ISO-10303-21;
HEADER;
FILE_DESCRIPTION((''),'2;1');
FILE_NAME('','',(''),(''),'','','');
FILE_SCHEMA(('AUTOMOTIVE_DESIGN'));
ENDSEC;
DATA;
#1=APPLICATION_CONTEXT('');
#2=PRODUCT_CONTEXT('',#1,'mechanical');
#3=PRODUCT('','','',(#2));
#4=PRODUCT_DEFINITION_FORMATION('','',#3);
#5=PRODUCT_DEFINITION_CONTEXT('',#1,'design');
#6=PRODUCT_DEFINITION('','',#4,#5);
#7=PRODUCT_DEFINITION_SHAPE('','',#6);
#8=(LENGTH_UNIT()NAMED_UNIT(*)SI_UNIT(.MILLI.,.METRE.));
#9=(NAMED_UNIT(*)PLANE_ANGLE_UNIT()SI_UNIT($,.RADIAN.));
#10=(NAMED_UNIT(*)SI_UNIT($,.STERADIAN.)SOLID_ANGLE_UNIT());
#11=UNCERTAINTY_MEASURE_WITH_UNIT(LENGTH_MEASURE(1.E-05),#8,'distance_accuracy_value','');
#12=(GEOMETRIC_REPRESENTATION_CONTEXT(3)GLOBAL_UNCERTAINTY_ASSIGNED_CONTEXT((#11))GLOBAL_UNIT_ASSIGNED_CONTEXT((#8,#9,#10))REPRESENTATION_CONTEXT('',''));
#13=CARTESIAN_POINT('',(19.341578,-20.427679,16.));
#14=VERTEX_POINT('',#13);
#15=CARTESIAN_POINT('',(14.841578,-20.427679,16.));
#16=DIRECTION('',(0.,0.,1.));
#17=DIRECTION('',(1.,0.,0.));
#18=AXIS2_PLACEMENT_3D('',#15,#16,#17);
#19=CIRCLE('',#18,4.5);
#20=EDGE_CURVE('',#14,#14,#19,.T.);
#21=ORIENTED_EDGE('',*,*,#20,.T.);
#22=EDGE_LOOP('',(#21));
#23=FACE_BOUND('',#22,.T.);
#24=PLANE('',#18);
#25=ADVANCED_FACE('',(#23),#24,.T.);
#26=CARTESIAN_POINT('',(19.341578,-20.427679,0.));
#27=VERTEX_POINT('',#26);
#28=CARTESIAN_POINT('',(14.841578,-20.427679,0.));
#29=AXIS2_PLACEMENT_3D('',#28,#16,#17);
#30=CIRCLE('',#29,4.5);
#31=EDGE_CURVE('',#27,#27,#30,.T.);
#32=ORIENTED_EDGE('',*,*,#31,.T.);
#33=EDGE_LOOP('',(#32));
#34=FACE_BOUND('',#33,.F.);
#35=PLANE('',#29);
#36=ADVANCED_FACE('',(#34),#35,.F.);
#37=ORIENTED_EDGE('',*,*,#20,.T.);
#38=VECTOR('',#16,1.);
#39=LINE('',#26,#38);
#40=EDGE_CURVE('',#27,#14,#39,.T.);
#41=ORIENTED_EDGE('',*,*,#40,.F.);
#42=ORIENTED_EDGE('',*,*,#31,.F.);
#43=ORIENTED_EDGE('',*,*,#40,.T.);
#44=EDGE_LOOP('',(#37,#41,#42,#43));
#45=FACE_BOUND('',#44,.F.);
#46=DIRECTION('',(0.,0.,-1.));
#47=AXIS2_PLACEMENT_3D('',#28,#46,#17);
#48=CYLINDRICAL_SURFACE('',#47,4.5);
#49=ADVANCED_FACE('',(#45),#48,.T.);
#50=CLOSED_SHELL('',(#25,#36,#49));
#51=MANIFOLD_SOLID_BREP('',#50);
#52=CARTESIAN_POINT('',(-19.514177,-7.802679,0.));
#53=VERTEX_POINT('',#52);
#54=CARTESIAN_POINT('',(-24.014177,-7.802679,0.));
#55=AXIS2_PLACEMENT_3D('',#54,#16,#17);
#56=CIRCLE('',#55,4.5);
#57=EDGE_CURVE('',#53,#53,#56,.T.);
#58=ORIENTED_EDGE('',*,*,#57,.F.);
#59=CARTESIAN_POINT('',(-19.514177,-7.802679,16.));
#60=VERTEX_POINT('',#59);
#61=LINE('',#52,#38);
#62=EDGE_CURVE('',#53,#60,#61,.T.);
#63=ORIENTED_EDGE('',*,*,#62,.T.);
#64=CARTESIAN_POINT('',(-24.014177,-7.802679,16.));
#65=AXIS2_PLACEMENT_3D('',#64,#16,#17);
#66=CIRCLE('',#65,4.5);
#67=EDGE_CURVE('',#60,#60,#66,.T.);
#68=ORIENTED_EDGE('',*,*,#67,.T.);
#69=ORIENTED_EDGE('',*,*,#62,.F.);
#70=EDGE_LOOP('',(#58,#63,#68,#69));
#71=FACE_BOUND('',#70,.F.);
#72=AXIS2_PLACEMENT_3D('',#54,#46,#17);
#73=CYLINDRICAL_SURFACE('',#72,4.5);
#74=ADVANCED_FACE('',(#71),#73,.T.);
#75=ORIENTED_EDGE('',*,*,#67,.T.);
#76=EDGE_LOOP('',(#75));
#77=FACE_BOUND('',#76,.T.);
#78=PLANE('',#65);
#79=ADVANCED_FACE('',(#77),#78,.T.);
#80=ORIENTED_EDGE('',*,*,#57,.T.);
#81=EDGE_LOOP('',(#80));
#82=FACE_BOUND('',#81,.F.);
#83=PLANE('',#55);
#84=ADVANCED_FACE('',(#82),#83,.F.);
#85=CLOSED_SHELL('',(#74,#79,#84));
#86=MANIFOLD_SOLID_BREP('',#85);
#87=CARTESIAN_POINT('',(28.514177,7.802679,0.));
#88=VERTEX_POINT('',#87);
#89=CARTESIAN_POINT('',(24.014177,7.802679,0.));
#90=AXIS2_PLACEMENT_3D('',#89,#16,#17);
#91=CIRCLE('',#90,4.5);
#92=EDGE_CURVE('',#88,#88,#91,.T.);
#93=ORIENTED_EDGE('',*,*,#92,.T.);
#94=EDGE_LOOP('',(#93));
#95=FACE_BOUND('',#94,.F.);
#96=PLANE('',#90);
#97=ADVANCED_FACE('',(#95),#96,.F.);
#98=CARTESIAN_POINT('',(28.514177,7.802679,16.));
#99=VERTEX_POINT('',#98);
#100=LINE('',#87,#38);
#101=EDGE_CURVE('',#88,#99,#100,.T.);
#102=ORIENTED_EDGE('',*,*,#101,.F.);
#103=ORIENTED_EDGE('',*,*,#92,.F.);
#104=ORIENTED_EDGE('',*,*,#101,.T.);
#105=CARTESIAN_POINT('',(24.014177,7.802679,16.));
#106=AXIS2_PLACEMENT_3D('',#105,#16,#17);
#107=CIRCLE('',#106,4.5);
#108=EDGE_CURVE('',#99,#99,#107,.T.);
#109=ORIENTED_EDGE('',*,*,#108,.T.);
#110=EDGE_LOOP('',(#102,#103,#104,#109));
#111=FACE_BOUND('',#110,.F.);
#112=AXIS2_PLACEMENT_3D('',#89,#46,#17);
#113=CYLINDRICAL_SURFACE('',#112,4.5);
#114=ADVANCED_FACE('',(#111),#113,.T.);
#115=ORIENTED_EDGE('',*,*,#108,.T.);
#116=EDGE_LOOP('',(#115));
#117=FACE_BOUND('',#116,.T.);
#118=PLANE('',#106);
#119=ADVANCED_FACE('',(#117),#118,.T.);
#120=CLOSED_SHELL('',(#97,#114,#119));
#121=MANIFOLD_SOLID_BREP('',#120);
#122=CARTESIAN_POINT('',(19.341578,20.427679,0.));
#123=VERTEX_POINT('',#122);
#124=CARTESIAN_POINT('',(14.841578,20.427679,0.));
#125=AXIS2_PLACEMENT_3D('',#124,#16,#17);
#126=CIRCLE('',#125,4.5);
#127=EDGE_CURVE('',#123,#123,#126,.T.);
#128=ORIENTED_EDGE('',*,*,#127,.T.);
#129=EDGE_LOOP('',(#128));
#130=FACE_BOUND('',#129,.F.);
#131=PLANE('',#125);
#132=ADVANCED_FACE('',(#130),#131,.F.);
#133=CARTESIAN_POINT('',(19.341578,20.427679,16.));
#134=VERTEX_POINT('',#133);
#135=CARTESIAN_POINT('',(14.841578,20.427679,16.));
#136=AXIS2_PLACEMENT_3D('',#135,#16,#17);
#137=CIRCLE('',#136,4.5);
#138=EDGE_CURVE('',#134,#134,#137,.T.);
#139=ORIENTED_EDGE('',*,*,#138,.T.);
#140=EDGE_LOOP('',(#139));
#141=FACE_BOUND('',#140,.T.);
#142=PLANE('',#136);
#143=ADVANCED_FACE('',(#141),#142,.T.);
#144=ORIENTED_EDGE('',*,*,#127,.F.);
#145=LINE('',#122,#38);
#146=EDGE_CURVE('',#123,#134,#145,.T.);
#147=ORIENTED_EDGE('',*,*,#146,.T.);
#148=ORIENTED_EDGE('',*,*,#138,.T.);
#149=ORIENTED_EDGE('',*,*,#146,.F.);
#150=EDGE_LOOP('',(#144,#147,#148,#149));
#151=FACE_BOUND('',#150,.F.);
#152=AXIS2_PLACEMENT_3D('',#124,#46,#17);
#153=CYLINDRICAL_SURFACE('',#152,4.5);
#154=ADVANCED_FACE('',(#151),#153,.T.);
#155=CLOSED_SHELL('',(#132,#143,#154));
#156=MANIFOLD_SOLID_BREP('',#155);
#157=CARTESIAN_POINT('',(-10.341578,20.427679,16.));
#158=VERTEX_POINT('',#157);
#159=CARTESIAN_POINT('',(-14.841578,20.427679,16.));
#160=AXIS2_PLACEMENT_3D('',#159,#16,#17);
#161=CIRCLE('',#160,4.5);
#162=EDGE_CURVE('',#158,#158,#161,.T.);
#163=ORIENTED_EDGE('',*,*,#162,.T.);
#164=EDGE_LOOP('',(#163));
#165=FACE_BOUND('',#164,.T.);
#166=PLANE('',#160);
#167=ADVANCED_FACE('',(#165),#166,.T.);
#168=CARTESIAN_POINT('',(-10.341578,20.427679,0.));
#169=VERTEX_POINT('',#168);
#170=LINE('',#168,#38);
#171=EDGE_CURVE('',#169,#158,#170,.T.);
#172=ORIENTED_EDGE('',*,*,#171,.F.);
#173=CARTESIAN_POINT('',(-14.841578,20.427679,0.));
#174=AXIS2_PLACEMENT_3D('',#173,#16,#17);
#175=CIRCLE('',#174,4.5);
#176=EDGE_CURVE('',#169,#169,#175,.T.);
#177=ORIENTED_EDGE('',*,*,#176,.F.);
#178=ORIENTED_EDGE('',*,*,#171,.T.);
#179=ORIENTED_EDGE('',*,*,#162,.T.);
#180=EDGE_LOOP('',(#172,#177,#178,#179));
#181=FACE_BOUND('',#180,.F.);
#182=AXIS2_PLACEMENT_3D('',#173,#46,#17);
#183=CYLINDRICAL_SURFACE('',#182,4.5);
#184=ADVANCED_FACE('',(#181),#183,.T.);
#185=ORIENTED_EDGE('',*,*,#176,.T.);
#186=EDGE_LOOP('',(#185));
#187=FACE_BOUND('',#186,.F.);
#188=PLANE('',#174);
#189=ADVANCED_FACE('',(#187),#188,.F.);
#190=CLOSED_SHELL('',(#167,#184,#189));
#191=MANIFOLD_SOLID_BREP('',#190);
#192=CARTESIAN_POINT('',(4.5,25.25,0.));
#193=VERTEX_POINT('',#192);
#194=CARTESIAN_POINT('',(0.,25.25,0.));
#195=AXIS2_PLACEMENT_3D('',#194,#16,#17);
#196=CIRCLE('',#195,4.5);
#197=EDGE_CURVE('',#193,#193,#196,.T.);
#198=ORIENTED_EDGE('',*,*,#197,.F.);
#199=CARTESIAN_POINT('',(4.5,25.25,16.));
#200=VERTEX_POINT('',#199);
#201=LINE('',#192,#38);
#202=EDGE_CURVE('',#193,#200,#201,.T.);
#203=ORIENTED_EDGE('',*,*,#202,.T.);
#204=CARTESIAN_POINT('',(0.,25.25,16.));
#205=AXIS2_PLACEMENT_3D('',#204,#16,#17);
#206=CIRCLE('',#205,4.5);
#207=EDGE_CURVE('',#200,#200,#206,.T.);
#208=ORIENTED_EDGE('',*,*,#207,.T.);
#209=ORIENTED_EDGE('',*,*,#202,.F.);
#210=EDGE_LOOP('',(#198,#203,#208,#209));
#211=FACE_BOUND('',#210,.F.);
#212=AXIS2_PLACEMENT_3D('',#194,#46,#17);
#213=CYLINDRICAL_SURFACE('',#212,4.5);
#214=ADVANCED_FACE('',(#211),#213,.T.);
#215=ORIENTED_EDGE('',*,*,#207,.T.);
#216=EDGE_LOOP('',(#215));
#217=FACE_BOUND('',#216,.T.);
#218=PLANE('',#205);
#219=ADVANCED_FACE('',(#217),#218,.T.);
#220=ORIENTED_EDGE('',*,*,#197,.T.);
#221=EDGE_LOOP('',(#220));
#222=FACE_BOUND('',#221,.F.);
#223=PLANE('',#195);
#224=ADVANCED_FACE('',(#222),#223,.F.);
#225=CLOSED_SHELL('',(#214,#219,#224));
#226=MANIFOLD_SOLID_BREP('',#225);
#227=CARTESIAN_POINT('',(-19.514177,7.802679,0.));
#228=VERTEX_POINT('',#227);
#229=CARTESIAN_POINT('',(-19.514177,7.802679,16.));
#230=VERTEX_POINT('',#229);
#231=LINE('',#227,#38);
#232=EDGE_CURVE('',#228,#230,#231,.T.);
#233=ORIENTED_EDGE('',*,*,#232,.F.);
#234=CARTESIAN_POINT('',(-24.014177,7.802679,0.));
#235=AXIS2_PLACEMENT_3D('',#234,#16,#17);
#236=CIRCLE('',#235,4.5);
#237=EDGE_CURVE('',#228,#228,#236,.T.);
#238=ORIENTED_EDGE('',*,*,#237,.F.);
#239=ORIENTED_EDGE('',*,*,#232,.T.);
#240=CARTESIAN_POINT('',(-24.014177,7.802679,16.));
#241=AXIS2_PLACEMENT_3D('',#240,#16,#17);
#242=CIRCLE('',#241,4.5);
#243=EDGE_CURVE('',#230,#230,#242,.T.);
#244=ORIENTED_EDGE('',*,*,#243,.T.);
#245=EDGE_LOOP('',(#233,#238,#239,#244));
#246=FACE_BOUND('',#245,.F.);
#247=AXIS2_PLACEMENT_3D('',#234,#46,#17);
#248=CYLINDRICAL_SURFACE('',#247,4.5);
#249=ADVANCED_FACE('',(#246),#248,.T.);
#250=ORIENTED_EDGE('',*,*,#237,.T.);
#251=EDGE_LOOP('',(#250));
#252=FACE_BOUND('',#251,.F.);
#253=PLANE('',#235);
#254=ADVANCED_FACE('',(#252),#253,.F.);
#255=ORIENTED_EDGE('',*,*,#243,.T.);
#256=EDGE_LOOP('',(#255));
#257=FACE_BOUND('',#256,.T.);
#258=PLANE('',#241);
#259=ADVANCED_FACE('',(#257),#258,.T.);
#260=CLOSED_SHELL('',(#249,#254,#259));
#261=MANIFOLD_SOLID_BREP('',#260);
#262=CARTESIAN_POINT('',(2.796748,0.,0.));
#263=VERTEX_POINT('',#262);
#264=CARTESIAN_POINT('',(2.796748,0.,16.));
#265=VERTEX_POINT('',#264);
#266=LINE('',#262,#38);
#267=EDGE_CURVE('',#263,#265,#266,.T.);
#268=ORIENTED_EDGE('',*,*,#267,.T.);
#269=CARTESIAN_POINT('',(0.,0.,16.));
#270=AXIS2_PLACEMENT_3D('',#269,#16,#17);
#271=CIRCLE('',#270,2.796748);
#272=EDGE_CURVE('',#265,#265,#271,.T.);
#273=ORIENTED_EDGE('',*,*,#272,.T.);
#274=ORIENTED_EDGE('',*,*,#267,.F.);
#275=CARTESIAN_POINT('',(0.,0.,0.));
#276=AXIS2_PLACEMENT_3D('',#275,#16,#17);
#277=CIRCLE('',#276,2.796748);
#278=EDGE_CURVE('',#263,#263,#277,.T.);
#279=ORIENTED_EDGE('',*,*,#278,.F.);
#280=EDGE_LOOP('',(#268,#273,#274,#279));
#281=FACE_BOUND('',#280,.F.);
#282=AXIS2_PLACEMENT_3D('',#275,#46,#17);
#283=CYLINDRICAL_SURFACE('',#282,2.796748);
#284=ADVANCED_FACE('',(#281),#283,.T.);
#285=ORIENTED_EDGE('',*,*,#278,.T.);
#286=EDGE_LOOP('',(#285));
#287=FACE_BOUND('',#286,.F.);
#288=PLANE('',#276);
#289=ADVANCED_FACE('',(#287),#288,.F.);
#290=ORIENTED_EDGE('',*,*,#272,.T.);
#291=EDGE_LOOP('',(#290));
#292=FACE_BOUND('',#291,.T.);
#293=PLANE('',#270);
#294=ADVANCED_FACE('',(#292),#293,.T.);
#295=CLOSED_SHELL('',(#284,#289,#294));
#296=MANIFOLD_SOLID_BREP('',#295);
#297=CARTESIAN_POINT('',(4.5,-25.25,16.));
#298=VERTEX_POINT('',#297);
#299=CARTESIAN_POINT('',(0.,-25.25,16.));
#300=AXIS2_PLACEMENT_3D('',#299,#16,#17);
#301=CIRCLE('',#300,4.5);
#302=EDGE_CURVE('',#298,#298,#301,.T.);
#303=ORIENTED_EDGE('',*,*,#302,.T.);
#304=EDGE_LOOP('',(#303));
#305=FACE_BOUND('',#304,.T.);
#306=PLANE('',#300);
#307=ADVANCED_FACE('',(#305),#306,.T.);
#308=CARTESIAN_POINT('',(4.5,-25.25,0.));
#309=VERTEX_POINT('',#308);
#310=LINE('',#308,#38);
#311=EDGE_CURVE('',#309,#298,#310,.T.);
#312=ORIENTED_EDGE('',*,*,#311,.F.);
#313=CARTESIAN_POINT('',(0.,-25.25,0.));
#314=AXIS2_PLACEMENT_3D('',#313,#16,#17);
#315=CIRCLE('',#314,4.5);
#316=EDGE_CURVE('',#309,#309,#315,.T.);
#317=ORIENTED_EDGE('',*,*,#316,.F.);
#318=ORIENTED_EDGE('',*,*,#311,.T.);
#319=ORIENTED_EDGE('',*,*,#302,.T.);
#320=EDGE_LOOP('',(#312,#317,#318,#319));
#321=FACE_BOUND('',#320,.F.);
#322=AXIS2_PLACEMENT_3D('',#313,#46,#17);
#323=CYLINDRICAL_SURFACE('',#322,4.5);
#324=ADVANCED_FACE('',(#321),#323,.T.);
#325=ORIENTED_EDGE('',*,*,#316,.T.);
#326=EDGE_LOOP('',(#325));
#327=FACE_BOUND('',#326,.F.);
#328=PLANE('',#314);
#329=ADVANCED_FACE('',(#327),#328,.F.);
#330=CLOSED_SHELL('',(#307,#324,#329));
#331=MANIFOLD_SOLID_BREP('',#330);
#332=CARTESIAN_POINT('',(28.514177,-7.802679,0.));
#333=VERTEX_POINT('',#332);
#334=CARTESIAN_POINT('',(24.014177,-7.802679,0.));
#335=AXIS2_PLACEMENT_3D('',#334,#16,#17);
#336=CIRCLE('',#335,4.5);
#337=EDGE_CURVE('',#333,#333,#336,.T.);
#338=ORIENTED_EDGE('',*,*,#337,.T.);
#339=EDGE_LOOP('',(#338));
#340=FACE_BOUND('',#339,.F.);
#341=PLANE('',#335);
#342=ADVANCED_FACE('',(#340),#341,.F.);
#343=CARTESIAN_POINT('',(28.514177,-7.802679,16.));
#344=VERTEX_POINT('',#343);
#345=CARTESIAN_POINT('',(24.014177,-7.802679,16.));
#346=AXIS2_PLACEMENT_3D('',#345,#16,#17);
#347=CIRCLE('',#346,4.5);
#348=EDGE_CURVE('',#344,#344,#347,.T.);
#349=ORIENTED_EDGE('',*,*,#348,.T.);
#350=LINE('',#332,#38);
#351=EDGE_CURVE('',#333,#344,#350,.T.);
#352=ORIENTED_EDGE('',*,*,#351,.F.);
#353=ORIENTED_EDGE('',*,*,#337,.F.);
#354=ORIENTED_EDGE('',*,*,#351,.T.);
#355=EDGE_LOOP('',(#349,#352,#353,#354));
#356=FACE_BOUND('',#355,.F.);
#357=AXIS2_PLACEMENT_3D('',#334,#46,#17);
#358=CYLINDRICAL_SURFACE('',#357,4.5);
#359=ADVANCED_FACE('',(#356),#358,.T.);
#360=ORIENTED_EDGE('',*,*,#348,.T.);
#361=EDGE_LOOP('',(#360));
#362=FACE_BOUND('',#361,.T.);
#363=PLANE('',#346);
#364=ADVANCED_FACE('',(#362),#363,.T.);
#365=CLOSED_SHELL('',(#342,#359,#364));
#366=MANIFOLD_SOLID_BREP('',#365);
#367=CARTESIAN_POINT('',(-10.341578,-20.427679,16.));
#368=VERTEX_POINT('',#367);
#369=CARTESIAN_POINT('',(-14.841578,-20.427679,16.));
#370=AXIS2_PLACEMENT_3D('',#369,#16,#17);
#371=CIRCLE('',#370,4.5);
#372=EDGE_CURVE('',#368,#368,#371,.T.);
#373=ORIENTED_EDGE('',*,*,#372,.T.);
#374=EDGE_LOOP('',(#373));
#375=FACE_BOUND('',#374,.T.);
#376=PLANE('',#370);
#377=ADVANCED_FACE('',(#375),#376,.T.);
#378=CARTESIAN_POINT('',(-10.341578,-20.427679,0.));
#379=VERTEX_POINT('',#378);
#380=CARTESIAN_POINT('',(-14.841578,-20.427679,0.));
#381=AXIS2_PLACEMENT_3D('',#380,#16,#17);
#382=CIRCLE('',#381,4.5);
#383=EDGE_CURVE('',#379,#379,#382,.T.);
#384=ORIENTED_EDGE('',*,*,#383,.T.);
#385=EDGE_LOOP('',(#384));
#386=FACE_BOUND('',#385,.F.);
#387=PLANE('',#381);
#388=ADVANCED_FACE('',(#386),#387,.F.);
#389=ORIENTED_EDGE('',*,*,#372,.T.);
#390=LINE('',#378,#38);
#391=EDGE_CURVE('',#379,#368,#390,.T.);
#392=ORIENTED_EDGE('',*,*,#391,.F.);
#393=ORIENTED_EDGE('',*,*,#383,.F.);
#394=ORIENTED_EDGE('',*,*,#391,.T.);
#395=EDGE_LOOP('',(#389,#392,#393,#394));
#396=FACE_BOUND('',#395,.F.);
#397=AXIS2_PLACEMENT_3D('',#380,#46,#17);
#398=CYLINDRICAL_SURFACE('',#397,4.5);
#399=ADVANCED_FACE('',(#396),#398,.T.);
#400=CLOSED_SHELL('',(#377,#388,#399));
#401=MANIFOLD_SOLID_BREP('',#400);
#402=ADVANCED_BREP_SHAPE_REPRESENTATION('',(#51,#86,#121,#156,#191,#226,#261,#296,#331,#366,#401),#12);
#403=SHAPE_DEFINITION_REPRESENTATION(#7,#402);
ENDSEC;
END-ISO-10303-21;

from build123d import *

# Parameters (mm, degrees)
F0_R     = 4.5
F0_R_2   = 2.796748
F1_DEPTH = 16


with BuildPart() as f1:
    # F0 (on Top) → F1 (new body)
    with BuildSketch(Plane.XY):
        with Locations((-14.841578, 20.427679)):
            Circle(F0_R)
        with Locations((-24.014177, 7.802679)):
            Circle(F0_R)
        with Locations((-24.014177, -7.802679)):
            Circle(F0_R)
        with Locations((-14.841578, -20.427679)):
            Circle(F0_R)
        with Locations((0, -25.25)):
            Circle(F0_R)
        with Locations((14.841578, -20.427679)):
            Circle(F0_R)
        with Locations((24.014177, -7.802679)):
            Circle(F0_R)
        with Locations((24.014177, 7.802679)):
            Circle(F0_R)
        with Locations((14.841578, 20.427679)):
            Circle(F0_R)
        with Locations((0, 25.25)):
            Circle(F0_R)
        Circle(F0_R_2)
    extrude(amount=F1_DEPTH)


solid = f1.part
